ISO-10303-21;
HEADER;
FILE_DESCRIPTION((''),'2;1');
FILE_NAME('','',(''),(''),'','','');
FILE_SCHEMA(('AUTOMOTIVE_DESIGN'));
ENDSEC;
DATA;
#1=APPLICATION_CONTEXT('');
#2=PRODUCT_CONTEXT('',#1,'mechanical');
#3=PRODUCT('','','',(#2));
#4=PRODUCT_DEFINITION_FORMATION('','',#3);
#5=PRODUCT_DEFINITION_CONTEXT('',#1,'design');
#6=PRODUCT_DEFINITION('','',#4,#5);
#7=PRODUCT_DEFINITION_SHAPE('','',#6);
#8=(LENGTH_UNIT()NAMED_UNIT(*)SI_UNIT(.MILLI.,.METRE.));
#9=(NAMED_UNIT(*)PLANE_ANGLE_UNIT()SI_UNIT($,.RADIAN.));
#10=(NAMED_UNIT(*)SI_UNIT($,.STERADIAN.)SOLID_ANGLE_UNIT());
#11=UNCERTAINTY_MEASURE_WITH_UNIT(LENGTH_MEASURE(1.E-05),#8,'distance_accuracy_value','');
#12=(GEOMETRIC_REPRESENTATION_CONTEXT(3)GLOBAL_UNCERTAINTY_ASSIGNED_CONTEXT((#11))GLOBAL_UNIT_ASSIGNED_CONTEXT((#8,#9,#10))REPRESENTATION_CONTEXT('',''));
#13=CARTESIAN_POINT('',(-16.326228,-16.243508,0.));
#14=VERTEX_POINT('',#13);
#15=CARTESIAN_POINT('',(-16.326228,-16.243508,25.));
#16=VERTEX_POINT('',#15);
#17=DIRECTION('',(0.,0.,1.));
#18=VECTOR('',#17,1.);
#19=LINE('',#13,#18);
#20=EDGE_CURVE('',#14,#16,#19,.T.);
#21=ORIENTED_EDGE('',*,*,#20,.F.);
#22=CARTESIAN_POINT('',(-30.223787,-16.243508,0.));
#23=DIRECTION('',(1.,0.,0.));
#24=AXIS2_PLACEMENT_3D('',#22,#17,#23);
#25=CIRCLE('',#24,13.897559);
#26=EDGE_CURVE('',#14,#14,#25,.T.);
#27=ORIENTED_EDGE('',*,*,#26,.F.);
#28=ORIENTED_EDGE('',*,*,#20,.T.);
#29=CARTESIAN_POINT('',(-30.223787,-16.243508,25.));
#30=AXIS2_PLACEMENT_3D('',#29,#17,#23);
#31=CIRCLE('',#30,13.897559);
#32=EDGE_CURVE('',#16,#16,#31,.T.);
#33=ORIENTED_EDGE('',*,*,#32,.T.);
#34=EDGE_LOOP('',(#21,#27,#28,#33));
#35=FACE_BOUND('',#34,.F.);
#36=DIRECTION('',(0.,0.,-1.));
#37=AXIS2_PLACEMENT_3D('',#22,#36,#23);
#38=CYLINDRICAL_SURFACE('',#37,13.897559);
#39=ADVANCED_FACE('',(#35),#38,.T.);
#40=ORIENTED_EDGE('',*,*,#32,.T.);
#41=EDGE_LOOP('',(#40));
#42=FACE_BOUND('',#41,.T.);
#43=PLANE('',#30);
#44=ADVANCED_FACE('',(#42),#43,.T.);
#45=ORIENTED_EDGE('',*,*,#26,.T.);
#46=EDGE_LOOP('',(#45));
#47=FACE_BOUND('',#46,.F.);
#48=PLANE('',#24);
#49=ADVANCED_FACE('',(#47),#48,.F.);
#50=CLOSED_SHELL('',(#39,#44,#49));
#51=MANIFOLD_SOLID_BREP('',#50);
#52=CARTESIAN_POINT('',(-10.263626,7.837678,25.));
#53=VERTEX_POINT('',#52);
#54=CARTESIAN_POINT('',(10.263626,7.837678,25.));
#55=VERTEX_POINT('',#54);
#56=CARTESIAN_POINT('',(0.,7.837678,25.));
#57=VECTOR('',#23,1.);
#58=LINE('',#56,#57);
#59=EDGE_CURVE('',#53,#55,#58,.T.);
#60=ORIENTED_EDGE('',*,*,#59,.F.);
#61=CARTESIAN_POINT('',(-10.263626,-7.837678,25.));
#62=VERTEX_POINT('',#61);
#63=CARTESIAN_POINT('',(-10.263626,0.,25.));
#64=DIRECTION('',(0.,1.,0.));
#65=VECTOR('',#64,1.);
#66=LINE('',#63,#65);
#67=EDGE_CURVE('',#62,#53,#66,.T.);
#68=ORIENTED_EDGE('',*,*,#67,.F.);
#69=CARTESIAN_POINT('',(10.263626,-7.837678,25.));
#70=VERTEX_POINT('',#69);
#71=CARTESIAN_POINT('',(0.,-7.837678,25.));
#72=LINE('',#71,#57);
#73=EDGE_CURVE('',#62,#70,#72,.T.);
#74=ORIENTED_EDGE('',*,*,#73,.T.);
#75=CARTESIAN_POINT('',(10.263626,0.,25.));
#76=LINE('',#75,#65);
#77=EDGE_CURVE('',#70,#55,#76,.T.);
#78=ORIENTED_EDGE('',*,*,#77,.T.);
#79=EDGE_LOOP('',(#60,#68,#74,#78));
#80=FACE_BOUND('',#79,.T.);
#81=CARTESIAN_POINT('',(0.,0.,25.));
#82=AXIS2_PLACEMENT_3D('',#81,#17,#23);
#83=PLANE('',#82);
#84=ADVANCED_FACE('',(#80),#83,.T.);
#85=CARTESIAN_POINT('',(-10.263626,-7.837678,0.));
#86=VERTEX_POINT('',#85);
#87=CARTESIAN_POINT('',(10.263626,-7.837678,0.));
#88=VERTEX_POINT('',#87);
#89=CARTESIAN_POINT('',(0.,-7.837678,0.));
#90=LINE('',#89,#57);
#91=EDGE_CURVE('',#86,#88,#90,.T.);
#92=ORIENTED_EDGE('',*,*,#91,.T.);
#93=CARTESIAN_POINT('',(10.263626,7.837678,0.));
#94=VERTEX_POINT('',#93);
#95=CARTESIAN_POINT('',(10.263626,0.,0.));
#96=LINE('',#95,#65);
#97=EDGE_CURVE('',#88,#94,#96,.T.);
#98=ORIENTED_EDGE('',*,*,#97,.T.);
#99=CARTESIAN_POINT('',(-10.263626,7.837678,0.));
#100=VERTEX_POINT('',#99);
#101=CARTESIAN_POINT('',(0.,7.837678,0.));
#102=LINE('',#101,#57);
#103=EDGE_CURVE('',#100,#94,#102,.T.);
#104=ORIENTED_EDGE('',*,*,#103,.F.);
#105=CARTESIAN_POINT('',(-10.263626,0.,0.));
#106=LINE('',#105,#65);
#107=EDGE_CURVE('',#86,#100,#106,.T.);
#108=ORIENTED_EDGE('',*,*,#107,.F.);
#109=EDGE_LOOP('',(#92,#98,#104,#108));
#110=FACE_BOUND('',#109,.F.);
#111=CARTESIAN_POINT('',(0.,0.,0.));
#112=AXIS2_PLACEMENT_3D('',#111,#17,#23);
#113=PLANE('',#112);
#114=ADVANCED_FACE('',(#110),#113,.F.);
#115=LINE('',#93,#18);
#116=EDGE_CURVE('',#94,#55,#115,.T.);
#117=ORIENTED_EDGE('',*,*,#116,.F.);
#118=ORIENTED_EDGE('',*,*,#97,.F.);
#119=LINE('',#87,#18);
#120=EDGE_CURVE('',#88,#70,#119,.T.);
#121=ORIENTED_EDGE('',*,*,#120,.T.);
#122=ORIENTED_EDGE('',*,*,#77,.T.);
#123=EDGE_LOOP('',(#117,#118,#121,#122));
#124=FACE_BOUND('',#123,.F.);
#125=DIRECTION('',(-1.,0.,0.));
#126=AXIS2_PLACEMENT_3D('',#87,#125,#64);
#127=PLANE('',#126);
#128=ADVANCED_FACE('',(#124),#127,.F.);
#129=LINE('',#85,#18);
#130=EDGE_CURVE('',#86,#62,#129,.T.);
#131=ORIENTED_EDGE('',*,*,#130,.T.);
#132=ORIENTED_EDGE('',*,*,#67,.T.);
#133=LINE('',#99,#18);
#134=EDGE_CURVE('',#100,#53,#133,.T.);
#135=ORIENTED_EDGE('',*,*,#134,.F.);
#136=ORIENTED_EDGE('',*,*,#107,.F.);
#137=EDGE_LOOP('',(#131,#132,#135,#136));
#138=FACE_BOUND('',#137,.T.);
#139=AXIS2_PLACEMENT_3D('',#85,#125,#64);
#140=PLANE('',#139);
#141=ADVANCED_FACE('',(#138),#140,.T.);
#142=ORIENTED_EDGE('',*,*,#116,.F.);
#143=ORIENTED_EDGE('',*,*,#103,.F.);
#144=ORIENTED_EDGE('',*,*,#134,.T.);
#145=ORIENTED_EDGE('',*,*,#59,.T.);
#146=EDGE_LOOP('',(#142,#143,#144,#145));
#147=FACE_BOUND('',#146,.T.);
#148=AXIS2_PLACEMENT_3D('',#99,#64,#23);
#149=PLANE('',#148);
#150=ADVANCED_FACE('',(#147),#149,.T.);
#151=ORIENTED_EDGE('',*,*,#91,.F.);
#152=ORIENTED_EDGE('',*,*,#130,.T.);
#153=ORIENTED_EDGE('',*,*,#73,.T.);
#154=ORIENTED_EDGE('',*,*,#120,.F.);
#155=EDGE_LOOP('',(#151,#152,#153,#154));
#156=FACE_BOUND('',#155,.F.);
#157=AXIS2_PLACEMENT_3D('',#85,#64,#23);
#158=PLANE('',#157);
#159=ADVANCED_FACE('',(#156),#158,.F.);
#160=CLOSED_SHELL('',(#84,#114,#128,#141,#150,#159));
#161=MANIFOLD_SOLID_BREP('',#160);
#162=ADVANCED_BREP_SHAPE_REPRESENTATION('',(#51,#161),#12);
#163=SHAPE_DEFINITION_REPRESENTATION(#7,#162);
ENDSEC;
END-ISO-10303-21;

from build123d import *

# Parameters (mm, degrees)
F0_W     = 20.527252
F0_H     = 15.675356
F1_DEPTH = 25
F2_R     = 13.897559
F3_DEPTH = 25


with BuildPart() as f1:
    # F0 (on Top) → F1 (new body)
    with BuildSketch(Plane.XY):
        Rectangle(F0_W, F0_H)
    extrude(amount=F1_DEPTH)


with BuildPart() as f3:
    # F2 (on Top) → F3 (new body)
    with BuildSketch(Plane.XY):
        with Locations((-30.223787, -16.243508)):
            Circle(F2_R)
    extrude(amount=F3_DEPTH)


solid = Compound([f1.part, f3.part])
